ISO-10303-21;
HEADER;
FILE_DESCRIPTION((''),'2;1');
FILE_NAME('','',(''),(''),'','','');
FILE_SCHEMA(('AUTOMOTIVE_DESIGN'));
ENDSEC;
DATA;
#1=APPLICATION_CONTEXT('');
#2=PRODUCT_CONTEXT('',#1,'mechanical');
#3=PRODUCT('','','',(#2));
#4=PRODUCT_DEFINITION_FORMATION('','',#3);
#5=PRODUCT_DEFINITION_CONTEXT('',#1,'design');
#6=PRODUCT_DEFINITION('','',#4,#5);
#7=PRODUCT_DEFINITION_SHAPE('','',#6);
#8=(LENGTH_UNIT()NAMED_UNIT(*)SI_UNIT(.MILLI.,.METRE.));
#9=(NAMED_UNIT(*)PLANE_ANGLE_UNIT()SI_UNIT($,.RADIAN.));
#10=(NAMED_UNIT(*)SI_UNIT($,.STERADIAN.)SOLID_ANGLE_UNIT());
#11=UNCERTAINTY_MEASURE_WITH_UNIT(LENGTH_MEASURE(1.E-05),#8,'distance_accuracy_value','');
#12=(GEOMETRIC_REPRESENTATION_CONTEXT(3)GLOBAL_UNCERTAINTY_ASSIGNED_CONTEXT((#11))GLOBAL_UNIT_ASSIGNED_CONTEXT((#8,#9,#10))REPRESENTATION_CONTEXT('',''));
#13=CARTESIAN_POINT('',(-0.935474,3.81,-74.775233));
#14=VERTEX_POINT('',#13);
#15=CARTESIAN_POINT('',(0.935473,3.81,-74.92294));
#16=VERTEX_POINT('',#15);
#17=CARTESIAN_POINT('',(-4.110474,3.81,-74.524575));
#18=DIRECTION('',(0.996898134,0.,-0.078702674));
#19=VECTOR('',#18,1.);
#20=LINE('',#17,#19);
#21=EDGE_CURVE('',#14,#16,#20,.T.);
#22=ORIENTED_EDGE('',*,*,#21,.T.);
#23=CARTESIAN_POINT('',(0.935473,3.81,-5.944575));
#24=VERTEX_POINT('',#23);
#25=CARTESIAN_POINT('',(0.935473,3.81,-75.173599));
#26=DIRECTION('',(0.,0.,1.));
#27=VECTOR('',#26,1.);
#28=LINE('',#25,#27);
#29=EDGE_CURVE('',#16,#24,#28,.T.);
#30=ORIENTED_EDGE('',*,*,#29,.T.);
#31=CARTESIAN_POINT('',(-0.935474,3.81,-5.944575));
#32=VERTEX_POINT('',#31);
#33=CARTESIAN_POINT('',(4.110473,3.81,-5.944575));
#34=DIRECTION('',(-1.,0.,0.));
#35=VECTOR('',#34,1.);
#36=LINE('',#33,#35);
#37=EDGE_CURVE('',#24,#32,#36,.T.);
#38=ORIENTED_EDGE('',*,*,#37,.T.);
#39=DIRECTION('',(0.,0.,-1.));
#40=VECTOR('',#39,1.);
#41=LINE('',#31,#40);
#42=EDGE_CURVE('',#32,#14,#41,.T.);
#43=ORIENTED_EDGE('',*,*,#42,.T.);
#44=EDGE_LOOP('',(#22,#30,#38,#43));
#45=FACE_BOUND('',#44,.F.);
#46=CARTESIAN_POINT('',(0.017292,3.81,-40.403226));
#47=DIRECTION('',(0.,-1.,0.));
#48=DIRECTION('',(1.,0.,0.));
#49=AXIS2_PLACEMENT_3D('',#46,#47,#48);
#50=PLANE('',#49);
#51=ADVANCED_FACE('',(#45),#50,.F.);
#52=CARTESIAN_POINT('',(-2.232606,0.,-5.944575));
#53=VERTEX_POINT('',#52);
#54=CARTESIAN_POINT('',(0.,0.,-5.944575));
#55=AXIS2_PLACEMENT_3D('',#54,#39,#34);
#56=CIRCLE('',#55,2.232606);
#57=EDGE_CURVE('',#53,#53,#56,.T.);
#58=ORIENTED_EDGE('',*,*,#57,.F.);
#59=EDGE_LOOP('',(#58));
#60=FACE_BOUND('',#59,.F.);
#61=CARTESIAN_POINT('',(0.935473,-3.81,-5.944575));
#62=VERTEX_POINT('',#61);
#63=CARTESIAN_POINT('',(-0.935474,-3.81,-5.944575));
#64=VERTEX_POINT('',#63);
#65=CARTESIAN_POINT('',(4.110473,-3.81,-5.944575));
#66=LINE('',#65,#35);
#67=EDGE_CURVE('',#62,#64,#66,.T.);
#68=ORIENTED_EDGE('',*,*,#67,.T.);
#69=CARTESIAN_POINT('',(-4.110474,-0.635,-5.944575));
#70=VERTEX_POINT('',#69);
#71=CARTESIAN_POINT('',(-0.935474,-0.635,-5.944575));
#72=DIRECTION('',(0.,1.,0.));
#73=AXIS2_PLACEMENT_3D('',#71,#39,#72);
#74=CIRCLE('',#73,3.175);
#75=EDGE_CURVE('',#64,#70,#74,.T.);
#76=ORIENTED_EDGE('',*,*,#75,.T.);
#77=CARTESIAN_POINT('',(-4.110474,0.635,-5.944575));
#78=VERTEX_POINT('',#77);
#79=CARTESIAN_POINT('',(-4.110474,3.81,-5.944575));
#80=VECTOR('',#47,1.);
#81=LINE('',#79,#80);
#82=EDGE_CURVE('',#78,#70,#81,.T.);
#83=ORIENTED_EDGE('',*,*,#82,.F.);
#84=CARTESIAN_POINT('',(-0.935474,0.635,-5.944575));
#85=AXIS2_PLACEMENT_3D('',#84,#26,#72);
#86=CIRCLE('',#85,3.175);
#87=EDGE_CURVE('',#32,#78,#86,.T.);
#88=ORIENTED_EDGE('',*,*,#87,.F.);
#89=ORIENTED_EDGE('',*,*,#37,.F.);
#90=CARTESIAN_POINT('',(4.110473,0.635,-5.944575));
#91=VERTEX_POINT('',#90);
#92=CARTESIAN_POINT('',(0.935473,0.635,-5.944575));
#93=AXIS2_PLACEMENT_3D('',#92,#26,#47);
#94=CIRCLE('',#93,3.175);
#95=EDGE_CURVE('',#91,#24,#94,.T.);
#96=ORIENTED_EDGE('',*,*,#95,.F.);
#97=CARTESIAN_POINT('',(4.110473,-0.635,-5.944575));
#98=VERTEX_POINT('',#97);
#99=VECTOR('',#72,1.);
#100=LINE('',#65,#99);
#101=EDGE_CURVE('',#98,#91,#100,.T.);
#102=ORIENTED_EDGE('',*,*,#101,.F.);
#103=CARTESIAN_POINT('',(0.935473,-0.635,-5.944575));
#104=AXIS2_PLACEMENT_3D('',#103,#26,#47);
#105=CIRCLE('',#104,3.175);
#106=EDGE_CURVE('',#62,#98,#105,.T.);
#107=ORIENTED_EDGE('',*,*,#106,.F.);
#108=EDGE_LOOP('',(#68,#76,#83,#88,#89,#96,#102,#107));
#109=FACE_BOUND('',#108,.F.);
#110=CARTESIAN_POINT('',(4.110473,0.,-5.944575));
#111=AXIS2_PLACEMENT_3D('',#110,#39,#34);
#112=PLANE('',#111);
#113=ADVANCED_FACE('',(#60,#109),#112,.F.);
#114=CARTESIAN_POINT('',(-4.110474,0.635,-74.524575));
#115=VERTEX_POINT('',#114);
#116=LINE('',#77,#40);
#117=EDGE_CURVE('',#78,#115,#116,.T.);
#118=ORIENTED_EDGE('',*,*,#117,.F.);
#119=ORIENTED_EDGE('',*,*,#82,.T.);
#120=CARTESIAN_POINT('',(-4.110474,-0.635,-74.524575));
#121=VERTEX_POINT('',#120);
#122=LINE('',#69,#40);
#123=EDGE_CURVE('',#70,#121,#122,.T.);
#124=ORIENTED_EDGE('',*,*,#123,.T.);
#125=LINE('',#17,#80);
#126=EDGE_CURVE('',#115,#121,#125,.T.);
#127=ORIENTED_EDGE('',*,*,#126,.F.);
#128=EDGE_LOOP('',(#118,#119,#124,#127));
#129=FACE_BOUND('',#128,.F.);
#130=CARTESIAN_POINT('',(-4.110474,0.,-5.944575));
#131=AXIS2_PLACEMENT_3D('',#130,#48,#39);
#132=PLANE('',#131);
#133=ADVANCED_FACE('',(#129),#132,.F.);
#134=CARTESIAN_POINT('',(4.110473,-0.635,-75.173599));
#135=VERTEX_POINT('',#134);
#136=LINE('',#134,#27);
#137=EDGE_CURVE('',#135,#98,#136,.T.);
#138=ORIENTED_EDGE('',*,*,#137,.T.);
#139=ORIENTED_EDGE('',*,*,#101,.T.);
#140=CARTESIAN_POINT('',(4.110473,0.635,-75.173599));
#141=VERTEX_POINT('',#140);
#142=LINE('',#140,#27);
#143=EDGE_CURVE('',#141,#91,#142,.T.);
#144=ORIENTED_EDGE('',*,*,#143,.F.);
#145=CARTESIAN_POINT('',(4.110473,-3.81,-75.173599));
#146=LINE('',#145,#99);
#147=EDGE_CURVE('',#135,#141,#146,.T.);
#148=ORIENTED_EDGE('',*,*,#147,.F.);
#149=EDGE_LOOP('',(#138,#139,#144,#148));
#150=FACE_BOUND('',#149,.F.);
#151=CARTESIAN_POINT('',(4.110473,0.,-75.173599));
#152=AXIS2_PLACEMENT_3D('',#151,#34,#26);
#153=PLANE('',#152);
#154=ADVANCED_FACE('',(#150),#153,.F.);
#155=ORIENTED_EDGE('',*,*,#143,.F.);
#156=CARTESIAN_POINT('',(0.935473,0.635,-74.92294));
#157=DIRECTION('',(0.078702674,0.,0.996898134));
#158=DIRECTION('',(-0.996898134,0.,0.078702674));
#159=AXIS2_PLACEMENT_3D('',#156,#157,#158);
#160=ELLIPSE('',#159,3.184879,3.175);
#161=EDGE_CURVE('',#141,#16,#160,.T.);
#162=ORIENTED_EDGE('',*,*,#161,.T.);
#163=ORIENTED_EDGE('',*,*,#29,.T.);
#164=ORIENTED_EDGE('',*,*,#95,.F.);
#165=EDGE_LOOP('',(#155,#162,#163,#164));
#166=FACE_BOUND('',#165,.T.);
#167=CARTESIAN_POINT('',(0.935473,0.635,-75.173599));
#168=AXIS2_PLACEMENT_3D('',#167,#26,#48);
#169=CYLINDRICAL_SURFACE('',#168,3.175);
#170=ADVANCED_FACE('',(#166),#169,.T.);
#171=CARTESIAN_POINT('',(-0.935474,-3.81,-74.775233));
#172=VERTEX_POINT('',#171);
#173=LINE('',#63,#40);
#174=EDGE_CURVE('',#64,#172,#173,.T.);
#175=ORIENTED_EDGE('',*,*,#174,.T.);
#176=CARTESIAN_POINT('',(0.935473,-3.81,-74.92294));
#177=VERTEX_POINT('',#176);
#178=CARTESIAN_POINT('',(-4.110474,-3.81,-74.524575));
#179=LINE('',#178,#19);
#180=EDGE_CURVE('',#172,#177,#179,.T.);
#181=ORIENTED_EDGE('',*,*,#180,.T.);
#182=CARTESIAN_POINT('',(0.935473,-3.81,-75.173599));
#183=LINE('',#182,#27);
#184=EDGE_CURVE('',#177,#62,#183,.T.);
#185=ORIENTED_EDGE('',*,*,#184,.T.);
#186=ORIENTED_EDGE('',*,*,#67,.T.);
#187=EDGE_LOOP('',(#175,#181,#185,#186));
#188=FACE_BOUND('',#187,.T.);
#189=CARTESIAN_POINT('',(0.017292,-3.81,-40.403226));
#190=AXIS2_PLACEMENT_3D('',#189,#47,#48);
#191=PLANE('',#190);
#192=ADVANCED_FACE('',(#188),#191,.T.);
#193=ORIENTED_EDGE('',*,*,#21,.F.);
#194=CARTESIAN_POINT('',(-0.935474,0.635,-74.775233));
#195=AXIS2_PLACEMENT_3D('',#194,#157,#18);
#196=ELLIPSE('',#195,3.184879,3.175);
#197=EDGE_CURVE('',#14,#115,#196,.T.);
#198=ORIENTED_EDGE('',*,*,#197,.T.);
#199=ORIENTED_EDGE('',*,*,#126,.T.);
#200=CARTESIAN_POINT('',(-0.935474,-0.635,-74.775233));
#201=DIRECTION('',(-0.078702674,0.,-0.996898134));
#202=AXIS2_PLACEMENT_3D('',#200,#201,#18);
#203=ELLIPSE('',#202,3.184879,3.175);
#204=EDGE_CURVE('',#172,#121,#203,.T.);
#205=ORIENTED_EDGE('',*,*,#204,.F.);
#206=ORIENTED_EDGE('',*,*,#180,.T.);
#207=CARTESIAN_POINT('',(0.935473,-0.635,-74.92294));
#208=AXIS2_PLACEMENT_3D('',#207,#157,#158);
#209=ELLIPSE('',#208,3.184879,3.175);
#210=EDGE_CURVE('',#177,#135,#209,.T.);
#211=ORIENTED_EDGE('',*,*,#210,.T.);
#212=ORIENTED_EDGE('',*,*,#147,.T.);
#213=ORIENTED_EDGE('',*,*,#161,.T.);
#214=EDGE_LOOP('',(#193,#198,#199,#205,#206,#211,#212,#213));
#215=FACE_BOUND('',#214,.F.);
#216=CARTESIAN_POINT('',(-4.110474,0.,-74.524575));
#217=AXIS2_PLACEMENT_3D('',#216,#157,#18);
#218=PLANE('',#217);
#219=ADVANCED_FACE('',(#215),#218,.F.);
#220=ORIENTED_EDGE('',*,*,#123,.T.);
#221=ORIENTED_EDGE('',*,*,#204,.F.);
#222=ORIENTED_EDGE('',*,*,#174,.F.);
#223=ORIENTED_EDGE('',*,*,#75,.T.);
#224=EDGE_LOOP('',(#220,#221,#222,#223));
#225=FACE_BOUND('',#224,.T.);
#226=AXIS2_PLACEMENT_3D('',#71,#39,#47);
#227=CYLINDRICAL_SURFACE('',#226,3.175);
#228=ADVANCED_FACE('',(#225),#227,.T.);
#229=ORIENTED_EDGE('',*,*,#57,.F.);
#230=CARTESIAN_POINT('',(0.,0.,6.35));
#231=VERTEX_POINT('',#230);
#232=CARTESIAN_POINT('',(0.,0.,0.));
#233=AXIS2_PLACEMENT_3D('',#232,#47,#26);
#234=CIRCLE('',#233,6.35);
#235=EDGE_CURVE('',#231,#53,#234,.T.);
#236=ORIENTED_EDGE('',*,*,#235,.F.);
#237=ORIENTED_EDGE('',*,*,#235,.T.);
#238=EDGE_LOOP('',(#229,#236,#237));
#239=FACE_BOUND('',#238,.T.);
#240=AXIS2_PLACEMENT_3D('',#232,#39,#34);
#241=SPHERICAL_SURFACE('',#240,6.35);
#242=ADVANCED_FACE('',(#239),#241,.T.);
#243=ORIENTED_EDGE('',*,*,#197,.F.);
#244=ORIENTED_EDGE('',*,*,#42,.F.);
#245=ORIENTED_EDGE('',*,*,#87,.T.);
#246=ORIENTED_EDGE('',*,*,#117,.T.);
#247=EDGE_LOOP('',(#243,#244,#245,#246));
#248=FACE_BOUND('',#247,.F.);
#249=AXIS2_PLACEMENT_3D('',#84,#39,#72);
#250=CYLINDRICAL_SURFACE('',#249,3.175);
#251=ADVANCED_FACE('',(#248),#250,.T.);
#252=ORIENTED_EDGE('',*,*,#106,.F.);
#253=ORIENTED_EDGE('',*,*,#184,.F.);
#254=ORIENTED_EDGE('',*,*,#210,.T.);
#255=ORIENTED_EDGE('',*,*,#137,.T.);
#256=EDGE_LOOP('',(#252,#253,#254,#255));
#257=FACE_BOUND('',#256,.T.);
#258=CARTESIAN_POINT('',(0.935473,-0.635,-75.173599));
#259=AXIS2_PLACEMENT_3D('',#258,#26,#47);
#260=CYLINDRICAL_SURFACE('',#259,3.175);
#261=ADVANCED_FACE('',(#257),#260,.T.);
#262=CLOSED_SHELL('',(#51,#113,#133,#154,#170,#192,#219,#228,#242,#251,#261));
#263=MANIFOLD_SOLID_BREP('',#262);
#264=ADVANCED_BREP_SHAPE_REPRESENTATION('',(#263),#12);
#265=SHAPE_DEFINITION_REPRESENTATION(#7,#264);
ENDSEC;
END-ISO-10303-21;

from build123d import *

# Parameters (mm, degrees)
F3_DEPTH      = 3.81
F3_DEPTH_BACK = 3.81
F4_R          = 3.175


with BuildPart() as f1:
    # F0 (on Front) → F1 (revolve)
    with BuildSketch(Plane.XZ):
        with BuildLine():
            Line((0, -6.35), (0, 6.35))
            ThreePointArc((0, 6.35), (-6.35, 0), (0, -6.35))
        make_face()
    revolve(axis=Axis((0, 0, 0), (0, 0, -1)))

    # F2 (on Front) → F3 (join, two sides)
    with BuildSketch(Plane.XZ) as f3_sk:
        Polygon((4.1104733182, -5.9445748625), (-4.1104737839, -5.9445748625), (-4.1104737839, -74.5245748625), (4.1104733182, -75.1735985691), align=None)
    extrude(amount=-F3_DEPTH)
    extrude(f3_sk.sketch, amount=F3_DEPTH_BACK)

    # F4
    f4_edges = [f1.edges().sort_by_distance(p)[0] for p in [
        (4.110473, -3.81, -40.559087),
        (4.110473, 3.81, -40.559087),
        (-4.110474, -3.81, -40.234575),
        (-4.110474, 3.81, -40.234575),
    ]]
    fillet(f4_edges, radius=F4_R)


solid = f1.part
